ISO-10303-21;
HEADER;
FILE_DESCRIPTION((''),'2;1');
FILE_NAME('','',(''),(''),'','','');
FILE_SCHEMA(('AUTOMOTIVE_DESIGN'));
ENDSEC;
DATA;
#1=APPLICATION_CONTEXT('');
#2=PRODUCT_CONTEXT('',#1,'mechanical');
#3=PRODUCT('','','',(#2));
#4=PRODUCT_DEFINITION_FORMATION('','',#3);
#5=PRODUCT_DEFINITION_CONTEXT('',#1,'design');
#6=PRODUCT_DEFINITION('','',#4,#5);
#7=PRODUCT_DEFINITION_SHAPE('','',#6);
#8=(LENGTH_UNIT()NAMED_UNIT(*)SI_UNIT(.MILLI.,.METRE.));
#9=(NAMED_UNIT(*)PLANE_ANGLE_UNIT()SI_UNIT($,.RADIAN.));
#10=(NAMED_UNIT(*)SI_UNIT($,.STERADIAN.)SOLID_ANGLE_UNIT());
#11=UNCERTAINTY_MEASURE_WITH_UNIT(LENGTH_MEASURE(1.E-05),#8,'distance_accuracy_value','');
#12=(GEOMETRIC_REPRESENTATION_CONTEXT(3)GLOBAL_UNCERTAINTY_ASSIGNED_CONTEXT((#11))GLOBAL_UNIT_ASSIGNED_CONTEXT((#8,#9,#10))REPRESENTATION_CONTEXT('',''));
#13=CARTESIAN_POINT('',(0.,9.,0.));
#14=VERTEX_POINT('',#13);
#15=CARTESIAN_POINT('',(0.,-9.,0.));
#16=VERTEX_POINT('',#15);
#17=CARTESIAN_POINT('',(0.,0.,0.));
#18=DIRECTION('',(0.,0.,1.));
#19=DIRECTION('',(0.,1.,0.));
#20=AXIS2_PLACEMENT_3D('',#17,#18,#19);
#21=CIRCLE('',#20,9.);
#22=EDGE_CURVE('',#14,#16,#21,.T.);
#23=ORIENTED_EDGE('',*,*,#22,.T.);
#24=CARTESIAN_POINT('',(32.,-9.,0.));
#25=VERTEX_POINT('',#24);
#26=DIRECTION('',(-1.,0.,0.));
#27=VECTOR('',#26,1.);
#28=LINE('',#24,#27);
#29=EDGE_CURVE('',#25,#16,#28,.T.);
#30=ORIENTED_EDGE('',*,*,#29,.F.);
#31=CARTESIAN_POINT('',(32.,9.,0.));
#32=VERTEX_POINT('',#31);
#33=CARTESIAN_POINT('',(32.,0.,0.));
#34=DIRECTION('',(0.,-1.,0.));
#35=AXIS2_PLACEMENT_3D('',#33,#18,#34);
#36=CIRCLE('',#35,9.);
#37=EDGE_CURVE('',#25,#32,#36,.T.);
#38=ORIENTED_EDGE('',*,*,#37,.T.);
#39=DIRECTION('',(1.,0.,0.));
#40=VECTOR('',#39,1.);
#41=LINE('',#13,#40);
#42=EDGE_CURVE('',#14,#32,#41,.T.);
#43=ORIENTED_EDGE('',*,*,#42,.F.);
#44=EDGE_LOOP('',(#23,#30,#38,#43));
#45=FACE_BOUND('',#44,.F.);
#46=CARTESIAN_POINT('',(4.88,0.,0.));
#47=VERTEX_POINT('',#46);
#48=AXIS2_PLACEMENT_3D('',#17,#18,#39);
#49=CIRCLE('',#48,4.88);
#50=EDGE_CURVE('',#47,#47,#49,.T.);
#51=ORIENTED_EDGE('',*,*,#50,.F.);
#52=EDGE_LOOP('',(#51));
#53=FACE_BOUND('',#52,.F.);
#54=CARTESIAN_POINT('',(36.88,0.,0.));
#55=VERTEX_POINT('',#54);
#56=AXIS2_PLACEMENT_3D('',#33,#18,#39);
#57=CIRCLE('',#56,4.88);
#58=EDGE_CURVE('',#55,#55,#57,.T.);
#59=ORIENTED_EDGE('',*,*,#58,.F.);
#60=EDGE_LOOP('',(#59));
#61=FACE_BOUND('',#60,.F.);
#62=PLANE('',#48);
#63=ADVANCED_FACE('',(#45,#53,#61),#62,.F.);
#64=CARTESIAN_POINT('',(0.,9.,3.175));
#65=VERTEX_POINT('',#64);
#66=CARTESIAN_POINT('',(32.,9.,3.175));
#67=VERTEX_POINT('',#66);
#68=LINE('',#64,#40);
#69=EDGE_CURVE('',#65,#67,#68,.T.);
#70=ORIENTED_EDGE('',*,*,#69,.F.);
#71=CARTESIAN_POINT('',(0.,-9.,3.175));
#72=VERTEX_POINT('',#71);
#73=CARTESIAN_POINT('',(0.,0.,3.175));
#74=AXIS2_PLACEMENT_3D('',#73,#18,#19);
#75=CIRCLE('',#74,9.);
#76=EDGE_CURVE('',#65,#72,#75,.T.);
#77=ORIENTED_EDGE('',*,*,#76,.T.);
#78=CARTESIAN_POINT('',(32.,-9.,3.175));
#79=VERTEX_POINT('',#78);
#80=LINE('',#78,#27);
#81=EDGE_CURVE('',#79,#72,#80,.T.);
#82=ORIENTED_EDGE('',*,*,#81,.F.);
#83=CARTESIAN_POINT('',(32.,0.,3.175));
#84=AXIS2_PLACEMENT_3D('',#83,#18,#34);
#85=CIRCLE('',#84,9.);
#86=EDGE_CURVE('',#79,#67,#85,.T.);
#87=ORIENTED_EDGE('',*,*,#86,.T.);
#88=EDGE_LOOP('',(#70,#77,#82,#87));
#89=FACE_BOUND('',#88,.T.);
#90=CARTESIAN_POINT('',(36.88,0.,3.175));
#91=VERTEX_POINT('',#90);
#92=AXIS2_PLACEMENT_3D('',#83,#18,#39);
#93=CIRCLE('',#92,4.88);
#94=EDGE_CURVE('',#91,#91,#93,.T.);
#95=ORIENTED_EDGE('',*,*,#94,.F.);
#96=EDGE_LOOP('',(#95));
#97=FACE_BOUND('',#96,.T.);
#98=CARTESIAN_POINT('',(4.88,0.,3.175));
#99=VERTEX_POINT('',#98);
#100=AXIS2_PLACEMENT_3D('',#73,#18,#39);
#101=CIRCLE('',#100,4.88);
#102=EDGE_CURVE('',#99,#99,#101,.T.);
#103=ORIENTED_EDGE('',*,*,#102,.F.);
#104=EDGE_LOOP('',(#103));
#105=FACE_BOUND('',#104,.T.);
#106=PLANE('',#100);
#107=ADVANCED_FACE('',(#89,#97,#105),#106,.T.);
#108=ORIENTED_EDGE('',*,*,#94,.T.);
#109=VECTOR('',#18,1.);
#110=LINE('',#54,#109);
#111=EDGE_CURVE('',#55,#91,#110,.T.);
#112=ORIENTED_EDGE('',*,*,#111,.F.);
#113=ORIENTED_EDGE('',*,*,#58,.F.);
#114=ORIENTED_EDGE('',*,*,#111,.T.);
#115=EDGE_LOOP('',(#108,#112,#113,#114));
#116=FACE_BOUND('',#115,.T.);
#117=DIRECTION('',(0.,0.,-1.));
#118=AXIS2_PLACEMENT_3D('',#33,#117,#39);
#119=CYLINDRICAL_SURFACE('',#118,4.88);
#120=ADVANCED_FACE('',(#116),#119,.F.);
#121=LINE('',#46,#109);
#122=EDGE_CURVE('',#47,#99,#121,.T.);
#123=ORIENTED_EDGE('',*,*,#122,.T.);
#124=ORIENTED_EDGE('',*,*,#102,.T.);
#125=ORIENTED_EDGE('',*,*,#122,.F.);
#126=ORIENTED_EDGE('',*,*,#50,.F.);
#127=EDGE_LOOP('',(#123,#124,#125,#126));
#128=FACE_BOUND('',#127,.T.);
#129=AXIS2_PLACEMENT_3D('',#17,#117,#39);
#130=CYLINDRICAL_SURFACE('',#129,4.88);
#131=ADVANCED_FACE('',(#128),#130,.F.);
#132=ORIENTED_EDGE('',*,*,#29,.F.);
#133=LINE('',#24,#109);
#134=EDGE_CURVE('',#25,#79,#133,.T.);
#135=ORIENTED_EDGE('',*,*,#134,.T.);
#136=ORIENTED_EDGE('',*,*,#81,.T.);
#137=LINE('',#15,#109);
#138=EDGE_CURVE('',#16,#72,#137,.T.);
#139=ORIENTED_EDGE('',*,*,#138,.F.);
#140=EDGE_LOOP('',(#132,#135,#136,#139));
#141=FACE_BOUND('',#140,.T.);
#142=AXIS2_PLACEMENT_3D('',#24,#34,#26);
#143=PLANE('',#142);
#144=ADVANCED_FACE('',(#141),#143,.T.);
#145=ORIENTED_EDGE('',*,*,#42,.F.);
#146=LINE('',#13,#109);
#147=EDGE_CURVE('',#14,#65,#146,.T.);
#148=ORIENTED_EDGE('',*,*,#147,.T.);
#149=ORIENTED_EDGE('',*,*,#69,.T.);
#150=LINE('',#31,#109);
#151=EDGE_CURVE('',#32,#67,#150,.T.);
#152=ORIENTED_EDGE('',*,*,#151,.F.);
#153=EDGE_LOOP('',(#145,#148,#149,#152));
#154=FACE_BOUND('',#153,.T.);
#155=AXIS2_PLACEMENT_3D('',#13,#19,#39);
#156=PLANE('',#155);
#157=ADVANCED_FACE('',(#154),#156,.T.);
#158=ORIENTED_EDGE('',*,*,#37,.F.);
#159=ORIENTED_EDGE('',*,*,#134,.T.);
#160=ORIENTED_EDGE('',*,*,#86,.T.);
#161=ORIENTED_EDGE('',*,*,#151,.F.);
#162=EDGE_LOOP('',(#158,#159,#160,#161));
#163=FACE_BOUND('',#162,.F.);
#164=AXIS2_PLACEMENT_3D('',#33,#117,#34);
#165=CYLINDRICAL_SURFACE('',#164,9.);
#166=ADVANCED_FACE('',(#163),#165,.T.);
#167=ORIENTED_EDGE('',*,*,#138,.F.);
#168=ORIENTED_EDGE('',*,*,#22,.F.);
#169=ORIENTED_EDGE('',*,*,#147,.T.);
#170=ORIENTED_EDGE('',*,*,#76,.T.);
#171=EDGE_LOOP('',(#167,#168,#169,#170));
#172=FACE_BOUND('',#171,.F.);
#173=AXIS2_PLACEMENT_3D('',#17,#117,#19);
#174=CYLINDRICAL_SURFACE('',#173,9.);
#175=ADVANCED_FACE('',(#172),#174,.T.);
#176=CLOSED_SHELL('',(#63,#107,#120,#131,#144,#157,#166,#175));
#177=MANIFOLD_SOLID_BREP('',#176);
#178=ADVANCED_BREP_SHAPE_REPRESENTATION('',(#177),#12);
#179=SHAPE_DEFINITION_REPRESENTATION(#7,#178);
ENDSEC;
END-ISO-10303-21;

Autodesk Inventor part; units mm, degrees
ref_plane "YZ Plane" through (0, 0, 0) normal (1, 0, 0) x (0, 1, 0)
ref_plane "XZ Plane" through (0, 0, 0) normal (0, 1, 0) x (-1, 0, 0)
ref_plane "XY Plane" through (0, 0, 0) normal (0, 0, 1) x (1, 0, 0)
sketch "Sketch1" plane through (0, 0, 0) normal (0, 0, 1) x (1, 0, 0)
  circle A0 centre (0, 0) radius 4.88
  line L0 (0, 9) -> (32, 9)
  arc A1 (32, -9) -> (32, 9) centre (32, 0) ccw
  line L1 (32, -9) -> (0, -9)
  arc A2 (0, 9) -> (0, -9) centre (0, 0) ccw
  circle A3 centre (32, 0) radius 4.88
  dimension "d0" = 9.76
  dimension "d1" = 9
  dimension "d2" = 32
extrude "Extrusion1" add sketch "Sketch1" along normal blind 3.175
properties part number "tipper_link_A"
